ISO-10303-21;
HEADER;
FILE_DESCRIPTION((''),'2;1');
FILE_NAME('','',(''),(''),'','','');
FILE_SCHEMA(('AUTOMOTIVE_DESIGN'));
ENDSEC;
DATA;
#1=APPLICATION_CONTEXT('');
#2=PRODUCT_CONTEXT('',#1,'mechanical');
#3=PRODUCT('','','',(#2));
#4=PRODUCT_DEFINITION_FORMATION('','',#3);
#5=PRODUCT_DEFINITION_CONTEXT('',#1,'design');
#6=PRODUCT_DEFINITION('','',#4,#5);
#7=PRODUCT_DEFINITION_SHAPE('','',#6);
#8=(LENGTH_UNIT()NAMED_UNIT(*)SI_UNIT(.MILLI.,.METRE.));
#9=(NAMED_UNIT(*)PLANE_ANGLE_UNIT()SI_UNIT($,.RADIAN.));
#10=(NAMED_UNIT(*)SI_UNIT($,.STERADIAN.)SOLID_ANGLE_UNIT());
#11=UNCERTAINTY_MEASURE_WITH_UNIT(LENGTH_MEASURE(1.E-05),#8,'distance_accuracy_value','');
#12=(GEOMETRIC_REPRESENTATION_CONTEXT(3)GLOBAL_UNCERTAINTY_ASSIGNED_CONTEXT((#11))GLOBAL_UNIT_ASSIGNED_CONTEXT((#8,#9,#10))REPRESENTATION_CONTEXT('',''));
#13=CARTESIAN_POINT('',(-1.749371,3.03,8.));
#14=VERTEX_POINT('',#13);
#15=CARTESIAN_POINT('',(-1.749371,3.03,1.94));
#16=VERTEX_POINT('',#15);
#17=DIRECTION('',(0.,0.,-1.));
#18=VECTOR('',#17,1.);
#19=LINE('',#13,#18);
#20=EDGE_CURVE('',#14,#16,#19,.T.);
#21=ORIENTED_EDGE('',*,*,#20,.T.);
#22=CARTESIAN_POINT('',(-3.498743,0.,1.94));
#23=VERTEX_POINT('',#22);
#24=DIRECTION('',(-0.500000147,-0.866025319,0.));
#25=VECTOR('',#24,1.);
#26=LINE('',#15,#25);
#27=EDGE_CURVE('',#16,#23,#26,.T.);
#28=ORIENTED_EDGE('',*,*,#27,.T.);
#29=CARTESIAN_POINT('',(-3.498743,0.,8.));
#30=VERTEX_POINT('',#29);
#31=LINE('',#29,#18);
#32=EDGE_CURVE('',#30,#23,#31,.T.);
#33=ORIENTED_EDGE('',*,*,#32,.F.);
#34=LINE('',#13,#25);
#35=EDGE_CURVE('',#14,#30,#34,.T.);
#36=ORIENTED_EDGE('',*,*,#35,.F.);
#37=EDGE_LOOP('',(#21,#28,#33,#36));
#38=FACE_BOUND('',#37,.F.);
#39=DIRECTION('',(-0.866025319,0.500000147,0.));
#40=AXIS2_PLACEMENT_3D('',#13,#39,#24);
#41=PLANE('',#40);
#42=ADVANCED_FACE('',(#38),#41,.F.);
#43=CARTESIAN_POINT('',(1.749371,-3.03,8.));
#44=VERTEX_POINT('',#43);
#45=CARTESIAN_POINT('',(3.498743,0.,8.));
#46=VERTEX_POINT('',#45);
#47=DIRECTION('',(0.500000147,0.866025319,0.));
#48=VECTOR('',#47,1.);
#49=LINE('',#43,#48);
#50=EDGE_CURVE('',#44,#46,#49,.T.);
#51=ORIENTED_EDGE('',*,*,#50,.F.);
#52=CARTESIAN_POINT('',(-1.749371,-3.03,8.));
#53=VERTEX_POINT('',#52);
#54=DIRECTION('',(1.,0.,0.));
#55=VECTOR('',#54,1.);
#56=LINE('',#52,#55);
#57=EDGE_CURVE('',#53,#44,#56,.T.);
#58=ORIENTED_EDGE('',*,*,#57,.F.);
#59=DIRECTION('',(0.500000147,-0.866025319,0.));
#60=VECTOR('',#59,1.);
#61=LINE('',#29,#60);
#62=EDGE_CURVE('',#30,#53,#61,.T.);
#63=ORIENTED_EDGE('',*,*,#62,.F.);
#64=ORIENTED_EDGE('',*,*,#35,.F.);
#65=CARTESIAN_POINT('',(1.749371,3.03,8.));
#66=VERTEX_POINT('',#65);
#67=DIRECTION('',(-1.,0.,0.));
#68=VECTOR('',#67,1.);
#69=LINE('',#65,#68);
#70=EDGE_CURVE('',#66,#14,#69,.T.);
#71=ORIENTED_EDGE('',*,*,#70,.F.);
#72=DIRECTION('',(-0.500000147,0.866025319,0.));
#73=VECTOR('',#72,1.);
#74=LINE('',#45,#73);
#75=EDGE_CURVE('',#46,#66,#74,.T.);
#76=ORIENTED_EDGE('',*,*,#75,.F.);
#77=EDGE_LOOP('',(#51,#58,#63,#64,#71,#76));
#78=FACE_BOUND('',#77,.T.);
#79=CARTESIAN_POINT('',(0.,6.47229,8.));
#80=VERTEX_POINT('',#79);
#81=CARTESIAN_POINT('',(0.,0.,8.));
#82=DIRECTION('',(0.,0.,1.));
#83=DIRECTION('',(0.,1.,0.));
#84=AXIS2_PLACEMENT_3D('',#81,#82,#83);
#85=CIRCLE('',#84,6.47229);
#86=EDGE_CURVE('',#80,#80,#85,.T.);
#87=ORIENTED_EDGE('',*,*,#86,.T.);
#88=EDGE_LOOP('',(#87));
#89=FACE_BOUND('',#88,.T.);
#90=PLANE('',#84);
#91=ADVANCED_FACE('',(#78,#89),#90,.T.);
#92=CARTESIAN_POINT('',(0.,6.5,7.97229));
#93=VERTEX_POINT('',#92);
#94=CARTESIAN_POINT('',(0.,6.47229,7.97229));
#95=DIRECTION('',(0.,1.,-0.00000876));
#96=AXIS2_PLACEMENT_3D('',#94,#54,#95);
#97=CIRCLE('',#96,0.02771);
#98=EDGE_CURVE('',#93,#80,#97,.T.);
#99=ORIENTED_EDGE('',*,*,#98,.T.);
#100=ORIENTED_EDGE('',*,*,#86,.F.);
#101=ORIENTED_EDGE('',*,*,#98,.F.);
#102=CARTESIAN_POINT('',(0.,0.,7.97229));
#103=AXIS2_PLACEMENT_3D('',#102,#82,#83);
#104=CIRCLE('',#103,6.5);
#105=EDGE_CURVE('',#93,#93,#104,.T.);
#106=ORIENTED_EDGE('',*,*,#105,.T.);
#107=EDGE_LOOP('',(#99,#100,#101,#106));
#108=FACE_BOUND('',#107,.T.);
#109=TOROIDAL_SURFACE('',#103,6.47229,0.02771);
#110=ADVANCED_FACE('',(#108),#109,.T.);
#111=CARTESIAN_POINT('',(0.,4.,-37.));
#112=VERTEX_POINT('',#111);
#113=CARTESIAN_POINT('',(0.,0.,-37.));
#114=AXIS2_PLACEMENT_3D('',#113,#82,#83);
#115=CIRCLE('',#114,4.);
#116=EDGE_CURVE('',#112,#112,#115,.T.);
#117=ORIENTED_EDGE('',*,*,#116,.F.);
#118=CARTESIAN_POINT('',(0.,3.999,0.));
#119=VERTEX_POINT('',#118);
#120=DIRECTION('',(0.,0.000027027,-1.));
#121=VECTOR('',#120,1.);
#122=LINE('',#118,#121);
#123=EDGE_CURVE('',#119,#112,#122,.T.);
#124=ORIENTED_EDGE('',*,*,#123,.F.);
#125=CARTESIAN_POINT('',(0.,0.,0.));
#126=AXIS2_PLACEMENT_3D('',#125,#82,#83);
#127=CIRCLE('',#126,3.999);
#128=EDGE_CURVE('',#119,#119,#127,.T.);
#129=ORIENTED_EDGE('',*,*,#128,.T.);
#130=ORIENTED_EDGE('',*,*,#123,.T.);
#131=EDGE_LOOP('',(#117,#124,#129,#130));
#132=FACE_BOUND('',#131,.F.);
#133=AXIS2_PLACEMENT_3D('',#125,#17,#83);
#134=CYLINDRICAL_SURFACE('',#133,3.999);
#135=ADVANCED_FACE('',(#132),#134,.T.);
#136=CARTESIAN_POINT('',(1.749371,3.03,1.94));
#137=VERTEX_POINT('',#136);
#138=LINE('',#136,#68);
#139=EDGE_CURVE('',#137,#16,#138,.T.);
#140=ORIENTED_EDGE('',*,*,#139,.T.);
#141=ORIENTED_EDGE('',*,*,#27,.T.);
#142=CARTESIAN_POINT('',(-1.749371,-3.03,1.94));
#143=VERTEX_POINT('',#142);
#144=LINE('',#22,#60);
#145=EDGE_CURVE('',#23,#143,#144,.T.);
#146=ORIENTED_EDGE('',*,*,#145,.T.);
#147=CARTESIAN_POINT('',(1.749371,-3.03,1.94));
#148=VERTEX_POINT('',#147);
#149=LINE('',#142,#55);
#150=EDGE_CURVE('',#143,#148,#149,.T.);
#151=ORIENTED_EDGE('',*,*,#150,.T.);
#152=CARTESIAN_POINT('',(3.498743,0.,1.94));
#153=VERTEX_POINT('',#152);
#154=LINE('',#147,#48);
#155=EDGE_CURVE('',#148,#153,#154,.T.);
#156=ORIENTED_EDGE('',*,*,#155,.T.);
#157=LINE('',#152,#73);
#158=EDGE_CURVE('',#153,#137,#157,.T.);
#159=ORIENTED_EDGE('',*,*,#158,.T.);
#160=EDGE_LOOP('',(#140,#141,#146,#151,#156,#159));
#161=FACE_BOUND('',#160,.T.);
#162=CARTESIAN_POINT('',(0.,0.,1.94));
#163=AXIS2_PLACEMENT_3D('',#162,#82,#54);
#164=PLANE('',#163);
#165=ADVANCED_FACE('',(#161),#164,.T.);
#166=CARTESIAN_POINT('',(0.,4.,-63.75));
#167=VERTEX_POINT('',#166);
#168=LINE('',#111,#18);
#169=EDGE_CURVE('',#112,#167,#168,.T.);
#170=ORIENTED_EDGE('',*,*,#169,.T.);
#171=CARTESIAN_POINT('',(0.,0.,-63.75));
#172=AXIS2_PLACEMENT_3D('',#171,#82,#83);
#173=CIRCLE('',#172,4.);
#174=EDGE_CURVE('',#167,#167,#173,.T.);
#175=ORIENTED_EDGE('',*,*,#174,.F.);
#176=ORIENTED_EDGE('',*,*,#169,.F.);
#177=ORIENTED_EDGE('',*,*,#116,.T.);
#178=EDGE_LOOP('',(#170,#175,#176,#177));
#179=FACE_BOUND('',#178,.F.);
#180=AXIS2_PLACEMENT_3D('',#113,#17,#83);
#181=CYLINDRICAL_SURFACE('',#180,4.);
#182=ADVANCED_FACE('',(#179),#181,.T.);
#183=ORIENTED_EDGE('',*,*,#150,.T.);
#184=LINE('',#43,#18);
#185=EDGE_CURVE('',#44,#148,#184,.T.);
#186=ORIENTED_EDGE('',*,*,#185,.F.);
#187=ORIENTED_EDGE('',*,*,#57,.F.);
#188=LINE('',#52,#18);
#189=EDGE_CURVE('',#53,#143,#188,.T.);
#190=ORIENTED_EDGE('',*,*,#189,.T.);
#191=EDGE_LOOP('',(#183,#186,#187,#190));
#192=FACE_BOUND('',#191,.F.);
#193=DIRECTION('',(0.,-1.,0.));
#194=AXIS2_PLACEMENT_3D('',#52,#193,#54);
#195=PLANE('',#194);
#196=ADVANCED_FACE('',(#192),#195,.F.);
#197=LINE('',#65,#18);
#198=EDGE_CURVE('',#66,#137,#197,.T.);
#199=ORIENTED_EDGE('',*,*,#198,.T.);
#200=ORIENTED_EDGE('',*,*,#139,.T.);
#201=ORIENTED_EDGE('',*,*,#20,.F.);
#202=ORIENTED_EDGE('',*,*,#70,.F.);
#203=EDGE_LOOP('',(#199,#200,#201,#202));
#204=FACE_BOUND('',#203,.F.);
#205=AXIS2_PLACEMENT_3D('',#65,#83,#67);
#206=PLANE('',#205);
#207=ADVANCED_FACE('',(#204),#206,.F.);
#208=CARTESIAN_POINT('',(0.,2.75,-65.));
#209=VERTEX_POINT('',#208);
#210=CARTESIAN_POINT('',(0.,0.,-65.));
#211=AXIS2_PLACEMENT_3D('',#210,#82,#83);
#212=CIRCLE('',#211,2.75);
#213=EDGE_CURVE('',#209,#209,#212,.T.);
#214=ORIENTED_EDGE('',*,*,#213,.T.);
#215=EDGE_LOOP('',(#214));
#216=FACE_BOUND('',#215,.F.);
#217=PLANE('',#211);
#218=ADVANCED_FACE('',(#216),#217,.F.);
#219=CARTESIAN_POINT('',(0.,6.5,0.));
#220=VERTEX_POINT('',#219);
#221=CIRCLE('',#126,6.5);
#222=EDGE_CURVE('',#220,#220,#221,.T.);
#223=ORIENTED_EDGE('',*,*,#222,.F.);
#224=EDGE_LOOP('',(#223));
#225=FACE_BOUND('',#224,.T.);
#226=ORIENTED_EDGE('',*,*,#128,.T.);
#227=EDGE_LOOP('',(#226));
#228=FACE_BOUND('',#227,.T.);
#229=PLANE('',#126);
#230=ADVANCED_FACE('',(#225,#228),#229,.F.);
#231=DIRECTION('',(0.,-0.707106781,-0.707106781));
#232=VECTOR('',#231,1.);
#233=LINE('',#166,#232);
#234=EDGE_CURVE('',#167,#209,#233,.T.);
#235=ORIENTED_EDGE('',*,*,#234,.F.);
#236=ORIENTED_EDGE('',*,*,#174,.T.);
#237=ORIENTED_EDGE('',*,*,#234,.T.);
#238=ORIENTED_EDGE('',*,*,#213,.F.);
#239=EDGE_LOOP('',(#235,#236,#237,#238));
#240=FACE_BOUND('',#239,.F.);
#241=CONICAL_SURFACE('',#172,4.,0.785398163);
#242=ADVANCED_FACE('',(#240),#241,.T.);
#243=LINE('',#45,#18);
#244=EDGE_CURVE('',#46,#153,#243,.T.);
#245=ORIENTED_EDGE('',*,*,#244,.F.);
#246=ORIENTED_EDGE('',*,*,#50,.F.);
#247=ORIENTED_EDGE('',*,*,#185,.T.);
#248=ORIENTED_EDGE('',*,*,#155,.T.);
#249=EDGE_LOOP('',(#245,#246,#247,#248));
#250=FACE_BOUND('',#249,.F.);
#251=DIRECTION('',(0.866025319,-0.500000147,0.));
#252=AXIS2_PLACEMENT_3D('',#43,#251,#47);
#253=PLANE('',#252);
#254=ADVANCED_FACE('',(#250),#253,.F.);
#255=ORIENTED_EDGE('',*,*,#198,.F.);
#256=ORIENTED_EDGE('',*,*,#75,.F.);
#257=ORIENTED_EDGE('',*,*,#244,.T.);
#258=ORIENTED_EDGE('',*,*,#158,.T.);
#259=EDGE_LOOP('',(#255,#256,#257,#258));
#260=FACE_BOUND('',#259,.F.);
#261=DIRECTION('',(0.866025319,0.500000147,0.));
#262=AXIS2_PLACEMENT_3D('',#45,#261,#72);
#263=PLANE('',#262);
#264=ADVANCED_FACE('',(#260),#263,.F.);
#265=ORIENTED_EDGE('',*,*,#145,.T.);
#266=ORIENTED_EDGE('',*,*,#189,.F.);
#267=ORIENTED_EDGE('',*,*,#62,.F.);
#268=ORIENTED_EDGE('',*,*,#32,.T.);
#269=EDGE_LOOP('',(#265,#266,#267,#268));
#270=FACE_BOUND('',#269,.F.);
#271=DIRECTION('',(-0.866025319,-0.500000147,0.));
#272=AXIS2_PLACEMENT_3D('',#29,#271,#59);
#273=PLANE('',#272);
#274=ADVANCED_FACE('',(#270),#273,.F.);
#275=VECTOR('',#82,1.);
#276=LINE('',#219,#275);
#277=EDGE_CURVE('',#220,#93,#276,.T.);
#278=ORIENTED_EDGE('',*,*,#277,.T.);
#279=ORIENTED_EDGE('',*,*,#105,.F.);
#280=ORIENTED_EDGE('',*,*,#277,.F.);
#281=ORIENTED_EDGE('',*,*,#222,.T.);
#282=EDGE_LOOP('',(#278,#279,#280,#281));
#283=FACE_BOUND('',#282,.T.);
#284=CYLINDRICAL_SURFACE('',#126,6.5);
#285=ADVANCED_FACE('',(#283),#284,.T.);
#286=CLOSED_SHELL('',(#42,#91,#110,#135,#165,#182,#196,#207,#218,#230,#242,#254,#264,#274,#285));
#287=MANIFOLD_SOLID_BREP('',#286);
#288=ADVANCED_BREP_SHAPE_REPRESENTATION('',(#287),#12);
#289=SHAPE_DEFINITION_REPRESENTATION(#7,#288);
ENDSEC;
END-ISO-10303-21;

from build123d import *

# Parameters (mm, degrees)
POCKET_DEPTH = 6.06


with BuildPart() as part:
    # Sketch → Revolve (revolve)
    with BuildSketch(Plane.YZ):
        with BuildLine():
            Line((3.999, 0), (6.5, 0))
            Line((6.5, 0), (6.5, 7.97229))
            ThreePointArc((6.5, 7.97229), (6.491884, 7.991884), (6.47229, 8))
            Line((6.47229, 8), (0, 8))
            Line((0, -65), (0, 8))
            Line((2.75, -65), (0, -65))
            Line((4, -63.75), (2.75, -65))
            Line((4, -37), (4, -63.75))
            Line((3.999, 0), (4, -37))
        make_face()
    revolve(axis=Axis((0, 0, 0), (0, 0, 1)))

    # Sketch001 → Pocket (cut)
    with BuildSketch(Plane.XY.offset(8)):
        Polygon((3.498743, 0), (1.749371, 3.03), (-1.749371, 3.03), (-3.498743, 0), (-1.749371, -3.03), (1.749371, -3.03), align=None)
    extrude(amount=-POCKET_DEPTH, mode=Mode.SUBTRACT)


solid = part.part
